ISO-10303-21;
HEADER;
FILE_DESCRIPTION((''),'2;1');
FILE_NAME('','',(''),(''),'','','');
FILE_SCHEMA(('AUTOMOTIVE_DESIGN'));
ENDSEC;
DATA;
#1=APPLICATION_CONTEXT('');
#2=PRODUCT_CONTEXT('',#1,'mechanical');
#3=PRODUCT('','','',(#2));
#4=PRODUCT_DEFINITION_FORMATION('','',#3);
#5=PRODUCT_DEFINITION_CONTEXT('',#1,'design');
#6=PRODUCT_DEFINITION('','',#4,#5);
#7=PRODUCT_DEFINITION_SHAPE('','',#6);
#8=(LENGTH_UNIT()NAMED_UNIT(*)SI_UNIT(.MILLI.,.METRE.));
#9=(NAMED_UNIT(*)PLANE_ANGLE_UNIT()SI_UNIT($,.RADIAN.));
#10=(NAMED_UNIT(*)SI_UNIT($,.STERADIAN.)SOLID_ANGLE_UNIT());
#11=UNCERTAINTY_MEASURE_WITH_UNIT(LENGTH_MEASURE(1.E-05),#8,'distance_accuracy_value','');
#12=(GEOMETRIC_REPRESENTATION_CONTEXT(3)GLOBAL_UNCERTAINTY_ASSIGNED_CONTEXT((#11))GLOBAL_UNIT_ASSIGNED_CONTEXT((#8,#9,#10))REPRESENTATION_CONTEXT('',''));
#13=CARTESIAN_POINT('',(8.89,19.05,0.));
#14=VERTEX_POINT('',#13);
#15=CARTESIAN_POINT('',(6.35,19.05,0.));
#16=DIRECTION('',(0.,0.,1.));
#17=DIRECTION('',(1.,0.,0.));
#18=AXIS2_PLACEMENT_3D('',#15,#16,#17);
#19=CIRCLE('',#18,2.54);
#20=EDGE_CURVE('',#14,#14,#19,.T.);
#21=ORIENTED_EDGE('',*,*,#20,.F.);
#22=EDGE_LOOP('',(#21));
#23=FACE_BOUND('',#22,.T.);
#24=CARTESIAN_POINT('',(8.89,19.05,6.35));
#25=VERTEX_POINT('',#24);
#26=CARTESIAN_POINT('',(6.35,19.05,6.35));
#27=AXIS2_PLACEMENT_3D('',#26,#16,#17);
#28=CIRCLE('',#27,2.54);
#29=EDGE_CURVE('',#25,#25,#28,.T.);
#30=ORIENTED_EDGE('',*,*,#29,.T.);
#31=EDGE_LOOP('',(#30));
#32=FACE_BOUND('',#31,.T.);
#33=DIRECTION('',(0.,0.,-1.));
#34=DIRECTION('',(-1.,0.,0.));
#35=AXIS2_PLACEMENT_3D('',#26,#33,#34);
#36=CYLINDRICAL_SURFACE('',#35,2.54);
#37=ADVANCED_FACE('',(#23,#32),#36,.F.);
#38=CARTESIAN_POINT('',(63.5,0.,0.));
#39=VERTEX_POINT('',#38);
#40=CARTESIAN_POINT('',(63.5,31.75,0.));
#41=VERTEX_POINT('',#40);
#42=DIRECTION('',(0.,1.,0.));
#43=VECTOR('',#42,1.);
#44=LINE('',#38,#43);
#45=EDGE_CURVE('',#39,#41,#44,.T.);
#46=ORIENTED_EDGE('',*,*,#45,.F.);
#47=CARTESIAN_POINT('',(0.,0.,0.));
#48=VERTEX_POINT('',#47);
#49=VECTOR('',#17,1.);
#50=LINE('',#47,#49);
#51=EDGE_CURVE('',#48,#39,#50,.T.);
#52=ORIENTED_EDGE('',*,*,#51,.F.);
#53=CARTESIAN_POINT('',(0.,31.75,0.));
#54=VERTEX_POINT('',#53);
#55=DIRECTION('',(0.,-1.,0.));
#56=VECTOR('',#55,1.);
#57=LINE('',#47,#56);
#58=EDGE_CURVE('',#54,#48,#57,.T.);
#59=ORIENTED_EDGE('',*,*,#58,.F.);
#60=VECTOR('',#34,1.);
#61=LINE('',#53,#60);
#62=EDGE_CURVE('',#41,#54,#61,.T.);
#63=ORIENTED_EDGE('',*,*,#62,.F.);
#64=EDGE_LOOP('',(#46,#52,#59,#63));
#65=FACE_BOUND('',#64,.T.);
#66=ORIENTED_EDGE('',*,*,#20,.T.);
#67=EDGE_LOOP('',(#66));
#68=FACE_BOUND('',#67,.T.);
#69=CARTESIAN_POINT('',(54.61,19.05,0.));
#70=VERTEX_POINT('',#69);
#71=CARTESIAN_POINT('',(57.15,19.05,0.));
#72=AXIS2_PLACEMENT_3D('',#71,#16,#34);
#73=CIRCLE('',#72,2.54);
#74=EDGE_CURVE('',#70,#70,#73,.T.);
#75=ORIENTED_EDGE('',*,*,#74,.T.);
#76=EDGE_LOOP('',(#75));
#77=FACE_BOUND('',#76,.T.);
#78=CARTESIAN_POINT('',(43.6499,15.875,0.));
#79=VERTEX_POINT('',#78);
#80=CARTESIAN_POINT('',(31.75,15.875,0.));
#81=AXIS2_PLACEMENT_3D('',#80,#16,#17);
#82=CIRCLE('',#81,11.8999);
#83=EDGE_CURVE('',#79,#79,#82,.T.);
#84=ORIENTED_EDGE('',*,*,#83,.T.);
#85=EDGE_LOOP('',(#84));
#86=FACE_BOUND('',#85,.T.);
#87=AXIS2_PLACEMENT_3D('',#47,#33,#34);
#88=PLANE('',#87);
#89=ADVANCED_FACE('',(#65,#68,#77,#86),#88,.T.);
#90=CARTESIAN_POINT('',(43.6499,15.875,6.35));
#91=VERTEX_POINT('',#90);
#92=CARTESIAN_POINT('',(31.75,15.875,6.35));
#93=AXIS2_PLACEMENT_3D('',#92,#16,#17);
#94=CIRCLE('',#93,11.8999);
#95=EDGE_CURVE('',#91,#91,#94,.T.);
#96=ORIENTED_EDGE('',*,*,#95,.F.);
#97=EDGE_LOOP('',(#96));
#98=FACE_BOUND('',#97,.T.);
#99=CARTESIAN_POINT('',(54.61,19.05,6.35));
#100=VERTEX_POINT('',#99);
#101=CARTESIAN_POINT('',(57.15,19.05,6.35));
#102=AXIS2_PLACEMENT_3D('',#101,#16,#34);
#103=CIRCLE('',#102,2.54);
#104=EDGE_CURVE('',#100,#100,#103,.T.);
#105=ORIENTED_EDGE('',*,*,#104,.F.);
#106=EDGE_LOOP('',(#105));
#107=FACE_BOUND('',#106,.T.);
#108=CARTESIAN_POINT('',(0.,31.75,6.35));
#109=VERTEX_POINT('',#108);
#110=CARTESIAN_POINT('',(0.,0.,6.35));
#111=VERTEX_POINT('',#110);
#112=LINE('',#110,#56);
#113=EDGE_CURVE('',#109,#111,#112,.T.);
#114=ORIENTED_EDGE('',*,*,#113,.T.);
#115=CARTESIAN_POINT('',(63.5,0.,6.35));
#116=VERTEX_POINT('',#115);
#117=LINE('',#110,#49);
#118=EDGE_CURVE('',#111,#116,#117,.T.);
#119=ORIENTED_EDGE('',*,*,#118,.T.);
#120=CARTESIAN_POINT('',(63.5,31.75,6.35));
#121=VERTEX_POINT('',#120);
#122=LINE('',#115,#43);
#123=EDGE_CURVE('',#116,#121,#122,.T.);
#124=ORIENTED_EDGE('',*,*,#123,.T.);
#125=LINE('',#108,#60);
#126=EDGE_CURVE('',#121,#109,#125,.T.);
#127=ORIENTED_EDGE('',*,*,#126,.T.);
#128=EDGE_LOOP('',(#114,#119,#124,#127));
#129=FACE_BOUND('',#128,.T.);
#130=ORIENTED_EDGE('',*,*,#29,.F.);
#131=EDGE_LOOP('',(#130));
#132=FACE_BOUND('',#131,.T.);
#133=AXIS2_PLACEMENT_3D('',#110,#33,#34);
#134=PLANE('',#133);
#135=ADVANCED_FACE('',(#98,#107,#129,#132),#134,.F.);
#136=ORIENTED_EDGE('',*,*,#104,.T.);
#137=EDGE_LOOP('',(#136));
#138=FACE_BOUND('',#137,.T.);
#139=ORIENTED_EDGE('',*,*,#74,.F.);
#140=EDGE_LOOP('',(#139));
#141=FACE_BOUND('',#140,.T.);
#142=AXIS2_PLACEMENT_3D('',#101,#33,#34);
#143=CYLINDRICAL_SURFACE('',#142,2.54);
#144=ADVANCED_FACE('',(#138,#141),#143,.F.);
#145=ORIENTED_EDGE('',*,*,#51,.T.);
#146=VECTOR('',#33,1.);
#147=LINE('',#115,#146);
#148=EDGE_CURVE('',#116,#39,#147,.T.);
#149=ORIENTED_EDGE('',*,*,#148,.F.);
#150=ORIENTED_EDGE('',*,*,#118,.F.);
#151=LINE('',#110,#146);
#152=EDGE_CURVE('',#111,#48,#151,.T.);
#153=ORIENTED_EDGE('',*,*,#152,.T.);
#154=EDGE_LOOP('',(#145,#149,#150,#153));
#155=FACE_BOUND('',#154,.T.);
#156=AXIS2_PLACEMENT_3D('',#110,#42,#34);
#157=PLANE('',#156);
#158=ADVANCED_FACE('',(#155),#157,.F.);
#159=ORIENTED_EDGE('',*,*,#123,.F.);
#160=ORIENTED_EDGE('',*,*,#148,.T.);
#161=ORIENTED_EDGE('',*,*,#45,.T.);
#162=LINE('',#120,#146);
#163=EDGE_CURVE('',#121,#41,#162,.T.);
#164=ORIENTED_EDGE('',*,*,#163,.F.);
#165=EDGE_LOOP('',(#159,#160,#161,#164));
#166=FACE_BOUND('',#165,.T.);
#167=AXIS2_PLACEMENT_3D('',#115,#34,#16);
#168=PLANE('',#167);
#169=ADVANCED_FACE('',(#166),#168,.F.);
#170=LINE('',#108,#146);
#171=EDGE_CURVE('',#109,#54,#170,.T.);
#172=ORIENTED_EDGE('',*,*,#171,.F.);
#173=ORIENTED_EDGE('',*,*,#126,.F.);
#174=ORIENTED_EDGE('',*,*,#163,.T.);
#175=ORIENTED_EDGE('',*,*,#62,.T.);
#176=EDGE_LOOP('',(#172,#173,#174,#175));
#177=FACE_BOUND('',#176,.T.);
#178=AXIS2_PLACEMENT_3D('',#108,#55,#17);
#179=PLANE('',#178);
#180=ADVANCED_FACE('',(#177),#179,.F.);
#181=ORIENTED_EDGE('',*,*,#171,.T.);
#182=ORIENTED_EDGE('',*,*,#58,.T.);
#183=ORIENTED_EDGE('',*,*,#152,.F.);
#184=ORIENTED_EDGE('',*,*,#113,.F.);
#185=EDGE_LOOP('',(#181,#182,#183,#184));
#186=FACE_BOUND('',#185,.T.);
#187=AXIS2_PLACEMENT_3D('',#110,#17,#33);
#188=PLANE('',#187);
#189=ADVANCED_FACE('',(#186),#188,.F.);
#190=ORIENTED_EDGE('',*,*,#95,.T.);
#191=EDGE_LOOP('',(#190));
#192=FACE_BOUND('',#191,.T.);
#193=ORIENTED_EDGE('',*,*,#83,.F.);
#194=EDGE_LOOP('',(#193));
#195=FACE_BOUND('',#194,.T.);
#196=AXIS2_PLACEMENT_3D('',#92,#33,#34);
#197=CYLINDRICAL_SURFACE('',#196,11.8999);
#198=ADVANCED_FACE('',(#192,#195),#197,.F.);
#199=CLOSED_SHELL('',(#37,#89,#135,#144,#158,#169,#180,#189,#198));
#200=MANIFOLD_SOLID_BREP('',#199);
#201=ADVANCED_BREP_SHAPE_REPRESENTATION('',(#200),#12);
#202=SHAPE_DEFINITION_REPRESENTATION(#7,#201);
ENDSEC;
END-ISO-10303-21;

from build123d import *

# Parameters (mm, degrees)
SKETCH1_W           = 63.5
SKETCH1_H           = 31.75
SKETCH1_R           = 11.8999
SKETCH1_R_2         = 2.54
BOSS_EXTRUDE1_DEPTH = 6.35


with BuildPart() as part:
    # Sketch1 → Boss-Extrude1 (new body)
    with BuildSketch(Plane.XY):
        with Locations((31.75, 15.875)):
            Rectangle(SKETCH1_W, SKETCH1_H)
        with Locations((31.75, 15.875)):
            Circle(SKETCH1_R, mode=Mode.SUBTRACT)
        with Locations((6.35, 19.05)):
            Circle(SKETCH1_R_2, mode=Mode.SUBTRACT)
        with Locations((57.15, 19.05)):
            Circle(SKETCH1_R_2, mode=Mode.SUBTRACT)
    extrude(amount=BOSS_EXTRUDE1_DEPTH)


solid = part.part
